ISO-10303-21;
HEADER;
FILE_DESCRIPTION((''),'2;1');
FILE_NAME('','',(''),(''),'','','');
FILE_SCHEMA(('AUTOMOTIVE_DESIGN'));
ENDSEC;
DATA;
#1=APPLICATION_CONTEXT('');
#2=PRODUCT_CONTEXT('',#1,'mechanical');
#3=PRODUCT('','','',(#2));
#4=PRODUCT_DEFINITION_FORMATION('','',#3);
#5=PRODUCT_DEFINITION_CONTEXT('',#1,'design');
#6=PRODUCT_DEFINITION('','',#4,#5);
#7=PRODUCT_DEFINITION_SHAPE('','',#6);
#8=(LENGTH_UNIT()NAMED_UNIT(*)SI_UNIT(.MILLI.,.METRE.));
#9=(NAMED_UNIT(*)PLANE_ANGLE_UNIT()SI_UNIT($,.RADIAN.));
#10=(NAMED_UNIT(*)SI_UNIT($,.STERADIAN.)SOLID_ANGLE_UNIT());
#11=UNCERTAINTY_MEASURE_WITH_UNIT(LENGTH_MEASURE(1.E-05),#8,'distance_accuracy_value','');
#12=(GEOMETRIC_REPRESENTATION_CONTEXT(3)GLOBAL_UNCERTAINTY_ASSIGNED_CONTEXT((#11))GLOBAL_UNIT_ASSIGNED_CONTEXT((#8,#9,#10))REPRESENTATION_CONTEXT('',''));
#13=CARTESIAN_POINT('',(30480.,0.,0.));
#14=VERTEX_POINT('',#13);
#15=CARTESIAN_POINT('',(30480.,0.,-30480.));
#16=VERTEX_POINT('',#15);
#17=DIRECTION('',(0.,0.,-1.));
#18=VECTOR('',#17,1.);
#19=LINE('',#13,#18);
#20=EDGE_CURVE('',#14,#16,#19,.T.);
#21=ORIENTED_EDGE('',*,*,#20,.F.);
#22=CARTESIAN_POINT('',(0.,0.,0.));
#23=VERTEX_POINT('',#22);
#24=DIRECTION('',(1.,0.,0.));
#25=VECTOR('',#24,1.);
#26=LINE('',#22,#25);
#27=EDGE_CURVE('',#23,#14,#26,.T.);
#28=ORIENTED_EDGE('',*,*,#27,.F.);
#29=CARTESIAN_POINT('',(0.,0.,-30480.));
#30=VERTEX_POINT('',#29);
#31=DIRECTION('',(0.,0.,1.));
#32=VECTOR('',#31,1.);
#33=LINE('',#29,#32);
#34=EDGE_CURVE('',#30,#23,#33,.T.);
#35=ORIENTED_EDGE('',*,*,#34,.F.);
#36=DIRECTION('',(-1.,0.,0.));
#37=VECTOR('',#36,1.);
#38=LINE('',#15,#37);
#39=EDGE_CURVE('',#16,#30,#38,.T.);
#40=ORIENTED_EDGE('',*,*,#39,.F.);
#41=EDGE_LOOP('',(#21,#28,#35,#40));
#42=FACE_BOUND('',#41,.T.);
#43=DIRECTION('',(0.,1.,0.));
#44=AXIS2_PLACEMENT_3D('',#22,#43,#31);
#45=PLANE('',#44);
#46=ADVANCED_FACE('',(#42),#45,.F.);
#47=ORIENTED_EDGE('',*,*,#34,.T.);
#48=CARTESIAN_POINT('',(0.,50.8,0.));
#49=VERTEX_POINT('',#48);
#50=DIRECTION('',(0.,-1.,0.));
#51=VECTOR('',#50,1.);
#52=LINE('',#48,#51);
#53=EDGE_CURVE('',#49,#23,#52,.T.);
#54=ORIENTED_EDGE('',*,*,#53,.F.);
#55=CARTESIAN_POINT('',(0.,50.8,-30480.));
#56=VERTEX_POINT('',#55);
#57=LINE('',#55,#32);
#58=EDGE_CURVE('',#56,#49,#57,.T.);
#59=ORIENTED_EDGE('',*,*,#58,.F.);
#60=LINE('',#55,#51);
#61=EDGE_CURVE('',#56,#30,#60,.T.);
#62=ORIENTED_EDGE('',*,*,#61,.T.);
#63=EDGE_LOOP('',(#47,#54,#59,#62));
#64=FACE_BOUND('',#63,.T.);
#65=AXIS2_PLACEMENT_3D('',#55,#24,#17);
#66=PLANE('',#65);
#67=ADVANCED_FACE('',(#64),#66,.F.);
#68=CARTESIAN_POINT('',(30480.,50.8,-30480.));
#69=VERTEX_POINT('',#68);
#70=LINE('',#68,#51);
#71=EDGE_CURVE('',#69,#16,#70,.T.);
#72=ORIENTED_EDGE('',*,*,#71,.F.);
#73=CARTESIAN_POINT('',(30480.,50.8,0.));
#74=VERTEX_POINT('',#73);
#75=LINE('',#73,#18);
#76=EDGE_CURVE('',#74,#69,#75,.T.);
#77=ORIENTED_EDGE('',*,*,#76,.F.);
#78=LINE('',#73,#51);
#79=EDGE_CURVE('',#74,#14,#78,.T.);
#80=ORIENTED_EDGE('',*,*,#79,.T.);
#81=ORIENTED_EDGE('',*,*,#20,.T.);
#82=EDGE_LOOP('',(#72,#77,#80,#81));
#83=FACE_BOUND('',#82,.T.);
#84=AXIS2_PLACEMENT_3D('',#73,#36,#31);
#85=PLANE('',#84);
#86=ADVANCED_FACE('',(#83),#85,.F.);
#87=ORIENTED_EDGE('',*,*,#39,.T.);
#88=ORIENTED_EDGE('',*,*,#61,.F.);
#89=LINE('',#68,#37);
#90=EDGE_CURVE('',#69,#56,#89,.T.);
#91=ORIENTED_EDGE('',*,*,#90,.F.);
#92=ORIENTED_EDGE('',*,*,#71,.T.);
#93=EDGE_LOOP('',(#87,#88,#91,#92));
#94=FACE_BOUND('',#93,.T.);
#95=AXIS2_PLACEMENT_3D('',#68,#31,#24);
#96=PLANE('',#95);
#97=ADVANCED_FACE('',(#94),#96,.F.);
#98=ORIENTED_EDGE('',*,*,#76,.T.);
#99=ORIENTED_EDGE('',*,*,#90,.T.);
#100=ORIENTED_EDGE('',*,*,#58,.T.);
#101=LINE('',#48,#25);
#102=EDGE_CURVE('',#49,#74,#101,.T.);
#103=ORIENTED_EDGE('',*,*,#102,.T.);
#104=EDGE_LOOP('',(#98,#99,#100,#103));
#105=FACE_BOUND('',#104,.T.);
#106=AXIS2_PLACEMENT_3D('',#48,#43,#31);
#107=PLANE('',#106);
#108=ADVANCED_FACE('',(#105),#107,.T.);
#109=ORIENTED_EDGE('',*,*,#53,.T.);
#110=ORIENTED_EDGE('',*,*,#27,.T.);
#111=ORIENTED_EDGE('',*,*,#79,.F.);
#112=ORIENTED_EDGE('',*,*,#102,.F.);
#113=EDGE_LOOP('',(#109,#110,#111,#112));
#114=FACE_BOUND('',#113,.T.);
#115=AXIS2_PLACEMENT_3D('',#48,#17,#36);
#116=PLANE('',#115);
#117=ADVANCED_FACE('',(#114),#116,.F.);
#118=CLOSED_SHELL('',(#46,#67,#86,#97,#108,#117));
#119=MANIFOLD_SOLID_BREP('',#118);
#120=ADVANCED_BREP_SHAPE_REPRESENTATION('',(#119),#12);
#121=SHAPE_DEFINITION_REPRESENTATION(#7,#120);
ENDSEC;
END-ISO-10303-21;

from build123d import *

# Parameters (mm, degrees)
SKETCH1_W        = 30480
SKETCH1_H        = 30480
EXTRUSION1_DEPTH = 50.8


with BuildPart() as part:
    # Sketch1 → Extrusion1 (new body)
    with BuildSketch(Plane(origin=(0, 0, 0), x_dir=(-1, 0, 0), z_dir=(0, 1, 0))):
        with Locations((-15240, -15240)):
            Rectangle(SKETCH1_W, SKETCH1_H)
    extrude(amount=EXTRUSION1_DEPTH)


solid = part.part
